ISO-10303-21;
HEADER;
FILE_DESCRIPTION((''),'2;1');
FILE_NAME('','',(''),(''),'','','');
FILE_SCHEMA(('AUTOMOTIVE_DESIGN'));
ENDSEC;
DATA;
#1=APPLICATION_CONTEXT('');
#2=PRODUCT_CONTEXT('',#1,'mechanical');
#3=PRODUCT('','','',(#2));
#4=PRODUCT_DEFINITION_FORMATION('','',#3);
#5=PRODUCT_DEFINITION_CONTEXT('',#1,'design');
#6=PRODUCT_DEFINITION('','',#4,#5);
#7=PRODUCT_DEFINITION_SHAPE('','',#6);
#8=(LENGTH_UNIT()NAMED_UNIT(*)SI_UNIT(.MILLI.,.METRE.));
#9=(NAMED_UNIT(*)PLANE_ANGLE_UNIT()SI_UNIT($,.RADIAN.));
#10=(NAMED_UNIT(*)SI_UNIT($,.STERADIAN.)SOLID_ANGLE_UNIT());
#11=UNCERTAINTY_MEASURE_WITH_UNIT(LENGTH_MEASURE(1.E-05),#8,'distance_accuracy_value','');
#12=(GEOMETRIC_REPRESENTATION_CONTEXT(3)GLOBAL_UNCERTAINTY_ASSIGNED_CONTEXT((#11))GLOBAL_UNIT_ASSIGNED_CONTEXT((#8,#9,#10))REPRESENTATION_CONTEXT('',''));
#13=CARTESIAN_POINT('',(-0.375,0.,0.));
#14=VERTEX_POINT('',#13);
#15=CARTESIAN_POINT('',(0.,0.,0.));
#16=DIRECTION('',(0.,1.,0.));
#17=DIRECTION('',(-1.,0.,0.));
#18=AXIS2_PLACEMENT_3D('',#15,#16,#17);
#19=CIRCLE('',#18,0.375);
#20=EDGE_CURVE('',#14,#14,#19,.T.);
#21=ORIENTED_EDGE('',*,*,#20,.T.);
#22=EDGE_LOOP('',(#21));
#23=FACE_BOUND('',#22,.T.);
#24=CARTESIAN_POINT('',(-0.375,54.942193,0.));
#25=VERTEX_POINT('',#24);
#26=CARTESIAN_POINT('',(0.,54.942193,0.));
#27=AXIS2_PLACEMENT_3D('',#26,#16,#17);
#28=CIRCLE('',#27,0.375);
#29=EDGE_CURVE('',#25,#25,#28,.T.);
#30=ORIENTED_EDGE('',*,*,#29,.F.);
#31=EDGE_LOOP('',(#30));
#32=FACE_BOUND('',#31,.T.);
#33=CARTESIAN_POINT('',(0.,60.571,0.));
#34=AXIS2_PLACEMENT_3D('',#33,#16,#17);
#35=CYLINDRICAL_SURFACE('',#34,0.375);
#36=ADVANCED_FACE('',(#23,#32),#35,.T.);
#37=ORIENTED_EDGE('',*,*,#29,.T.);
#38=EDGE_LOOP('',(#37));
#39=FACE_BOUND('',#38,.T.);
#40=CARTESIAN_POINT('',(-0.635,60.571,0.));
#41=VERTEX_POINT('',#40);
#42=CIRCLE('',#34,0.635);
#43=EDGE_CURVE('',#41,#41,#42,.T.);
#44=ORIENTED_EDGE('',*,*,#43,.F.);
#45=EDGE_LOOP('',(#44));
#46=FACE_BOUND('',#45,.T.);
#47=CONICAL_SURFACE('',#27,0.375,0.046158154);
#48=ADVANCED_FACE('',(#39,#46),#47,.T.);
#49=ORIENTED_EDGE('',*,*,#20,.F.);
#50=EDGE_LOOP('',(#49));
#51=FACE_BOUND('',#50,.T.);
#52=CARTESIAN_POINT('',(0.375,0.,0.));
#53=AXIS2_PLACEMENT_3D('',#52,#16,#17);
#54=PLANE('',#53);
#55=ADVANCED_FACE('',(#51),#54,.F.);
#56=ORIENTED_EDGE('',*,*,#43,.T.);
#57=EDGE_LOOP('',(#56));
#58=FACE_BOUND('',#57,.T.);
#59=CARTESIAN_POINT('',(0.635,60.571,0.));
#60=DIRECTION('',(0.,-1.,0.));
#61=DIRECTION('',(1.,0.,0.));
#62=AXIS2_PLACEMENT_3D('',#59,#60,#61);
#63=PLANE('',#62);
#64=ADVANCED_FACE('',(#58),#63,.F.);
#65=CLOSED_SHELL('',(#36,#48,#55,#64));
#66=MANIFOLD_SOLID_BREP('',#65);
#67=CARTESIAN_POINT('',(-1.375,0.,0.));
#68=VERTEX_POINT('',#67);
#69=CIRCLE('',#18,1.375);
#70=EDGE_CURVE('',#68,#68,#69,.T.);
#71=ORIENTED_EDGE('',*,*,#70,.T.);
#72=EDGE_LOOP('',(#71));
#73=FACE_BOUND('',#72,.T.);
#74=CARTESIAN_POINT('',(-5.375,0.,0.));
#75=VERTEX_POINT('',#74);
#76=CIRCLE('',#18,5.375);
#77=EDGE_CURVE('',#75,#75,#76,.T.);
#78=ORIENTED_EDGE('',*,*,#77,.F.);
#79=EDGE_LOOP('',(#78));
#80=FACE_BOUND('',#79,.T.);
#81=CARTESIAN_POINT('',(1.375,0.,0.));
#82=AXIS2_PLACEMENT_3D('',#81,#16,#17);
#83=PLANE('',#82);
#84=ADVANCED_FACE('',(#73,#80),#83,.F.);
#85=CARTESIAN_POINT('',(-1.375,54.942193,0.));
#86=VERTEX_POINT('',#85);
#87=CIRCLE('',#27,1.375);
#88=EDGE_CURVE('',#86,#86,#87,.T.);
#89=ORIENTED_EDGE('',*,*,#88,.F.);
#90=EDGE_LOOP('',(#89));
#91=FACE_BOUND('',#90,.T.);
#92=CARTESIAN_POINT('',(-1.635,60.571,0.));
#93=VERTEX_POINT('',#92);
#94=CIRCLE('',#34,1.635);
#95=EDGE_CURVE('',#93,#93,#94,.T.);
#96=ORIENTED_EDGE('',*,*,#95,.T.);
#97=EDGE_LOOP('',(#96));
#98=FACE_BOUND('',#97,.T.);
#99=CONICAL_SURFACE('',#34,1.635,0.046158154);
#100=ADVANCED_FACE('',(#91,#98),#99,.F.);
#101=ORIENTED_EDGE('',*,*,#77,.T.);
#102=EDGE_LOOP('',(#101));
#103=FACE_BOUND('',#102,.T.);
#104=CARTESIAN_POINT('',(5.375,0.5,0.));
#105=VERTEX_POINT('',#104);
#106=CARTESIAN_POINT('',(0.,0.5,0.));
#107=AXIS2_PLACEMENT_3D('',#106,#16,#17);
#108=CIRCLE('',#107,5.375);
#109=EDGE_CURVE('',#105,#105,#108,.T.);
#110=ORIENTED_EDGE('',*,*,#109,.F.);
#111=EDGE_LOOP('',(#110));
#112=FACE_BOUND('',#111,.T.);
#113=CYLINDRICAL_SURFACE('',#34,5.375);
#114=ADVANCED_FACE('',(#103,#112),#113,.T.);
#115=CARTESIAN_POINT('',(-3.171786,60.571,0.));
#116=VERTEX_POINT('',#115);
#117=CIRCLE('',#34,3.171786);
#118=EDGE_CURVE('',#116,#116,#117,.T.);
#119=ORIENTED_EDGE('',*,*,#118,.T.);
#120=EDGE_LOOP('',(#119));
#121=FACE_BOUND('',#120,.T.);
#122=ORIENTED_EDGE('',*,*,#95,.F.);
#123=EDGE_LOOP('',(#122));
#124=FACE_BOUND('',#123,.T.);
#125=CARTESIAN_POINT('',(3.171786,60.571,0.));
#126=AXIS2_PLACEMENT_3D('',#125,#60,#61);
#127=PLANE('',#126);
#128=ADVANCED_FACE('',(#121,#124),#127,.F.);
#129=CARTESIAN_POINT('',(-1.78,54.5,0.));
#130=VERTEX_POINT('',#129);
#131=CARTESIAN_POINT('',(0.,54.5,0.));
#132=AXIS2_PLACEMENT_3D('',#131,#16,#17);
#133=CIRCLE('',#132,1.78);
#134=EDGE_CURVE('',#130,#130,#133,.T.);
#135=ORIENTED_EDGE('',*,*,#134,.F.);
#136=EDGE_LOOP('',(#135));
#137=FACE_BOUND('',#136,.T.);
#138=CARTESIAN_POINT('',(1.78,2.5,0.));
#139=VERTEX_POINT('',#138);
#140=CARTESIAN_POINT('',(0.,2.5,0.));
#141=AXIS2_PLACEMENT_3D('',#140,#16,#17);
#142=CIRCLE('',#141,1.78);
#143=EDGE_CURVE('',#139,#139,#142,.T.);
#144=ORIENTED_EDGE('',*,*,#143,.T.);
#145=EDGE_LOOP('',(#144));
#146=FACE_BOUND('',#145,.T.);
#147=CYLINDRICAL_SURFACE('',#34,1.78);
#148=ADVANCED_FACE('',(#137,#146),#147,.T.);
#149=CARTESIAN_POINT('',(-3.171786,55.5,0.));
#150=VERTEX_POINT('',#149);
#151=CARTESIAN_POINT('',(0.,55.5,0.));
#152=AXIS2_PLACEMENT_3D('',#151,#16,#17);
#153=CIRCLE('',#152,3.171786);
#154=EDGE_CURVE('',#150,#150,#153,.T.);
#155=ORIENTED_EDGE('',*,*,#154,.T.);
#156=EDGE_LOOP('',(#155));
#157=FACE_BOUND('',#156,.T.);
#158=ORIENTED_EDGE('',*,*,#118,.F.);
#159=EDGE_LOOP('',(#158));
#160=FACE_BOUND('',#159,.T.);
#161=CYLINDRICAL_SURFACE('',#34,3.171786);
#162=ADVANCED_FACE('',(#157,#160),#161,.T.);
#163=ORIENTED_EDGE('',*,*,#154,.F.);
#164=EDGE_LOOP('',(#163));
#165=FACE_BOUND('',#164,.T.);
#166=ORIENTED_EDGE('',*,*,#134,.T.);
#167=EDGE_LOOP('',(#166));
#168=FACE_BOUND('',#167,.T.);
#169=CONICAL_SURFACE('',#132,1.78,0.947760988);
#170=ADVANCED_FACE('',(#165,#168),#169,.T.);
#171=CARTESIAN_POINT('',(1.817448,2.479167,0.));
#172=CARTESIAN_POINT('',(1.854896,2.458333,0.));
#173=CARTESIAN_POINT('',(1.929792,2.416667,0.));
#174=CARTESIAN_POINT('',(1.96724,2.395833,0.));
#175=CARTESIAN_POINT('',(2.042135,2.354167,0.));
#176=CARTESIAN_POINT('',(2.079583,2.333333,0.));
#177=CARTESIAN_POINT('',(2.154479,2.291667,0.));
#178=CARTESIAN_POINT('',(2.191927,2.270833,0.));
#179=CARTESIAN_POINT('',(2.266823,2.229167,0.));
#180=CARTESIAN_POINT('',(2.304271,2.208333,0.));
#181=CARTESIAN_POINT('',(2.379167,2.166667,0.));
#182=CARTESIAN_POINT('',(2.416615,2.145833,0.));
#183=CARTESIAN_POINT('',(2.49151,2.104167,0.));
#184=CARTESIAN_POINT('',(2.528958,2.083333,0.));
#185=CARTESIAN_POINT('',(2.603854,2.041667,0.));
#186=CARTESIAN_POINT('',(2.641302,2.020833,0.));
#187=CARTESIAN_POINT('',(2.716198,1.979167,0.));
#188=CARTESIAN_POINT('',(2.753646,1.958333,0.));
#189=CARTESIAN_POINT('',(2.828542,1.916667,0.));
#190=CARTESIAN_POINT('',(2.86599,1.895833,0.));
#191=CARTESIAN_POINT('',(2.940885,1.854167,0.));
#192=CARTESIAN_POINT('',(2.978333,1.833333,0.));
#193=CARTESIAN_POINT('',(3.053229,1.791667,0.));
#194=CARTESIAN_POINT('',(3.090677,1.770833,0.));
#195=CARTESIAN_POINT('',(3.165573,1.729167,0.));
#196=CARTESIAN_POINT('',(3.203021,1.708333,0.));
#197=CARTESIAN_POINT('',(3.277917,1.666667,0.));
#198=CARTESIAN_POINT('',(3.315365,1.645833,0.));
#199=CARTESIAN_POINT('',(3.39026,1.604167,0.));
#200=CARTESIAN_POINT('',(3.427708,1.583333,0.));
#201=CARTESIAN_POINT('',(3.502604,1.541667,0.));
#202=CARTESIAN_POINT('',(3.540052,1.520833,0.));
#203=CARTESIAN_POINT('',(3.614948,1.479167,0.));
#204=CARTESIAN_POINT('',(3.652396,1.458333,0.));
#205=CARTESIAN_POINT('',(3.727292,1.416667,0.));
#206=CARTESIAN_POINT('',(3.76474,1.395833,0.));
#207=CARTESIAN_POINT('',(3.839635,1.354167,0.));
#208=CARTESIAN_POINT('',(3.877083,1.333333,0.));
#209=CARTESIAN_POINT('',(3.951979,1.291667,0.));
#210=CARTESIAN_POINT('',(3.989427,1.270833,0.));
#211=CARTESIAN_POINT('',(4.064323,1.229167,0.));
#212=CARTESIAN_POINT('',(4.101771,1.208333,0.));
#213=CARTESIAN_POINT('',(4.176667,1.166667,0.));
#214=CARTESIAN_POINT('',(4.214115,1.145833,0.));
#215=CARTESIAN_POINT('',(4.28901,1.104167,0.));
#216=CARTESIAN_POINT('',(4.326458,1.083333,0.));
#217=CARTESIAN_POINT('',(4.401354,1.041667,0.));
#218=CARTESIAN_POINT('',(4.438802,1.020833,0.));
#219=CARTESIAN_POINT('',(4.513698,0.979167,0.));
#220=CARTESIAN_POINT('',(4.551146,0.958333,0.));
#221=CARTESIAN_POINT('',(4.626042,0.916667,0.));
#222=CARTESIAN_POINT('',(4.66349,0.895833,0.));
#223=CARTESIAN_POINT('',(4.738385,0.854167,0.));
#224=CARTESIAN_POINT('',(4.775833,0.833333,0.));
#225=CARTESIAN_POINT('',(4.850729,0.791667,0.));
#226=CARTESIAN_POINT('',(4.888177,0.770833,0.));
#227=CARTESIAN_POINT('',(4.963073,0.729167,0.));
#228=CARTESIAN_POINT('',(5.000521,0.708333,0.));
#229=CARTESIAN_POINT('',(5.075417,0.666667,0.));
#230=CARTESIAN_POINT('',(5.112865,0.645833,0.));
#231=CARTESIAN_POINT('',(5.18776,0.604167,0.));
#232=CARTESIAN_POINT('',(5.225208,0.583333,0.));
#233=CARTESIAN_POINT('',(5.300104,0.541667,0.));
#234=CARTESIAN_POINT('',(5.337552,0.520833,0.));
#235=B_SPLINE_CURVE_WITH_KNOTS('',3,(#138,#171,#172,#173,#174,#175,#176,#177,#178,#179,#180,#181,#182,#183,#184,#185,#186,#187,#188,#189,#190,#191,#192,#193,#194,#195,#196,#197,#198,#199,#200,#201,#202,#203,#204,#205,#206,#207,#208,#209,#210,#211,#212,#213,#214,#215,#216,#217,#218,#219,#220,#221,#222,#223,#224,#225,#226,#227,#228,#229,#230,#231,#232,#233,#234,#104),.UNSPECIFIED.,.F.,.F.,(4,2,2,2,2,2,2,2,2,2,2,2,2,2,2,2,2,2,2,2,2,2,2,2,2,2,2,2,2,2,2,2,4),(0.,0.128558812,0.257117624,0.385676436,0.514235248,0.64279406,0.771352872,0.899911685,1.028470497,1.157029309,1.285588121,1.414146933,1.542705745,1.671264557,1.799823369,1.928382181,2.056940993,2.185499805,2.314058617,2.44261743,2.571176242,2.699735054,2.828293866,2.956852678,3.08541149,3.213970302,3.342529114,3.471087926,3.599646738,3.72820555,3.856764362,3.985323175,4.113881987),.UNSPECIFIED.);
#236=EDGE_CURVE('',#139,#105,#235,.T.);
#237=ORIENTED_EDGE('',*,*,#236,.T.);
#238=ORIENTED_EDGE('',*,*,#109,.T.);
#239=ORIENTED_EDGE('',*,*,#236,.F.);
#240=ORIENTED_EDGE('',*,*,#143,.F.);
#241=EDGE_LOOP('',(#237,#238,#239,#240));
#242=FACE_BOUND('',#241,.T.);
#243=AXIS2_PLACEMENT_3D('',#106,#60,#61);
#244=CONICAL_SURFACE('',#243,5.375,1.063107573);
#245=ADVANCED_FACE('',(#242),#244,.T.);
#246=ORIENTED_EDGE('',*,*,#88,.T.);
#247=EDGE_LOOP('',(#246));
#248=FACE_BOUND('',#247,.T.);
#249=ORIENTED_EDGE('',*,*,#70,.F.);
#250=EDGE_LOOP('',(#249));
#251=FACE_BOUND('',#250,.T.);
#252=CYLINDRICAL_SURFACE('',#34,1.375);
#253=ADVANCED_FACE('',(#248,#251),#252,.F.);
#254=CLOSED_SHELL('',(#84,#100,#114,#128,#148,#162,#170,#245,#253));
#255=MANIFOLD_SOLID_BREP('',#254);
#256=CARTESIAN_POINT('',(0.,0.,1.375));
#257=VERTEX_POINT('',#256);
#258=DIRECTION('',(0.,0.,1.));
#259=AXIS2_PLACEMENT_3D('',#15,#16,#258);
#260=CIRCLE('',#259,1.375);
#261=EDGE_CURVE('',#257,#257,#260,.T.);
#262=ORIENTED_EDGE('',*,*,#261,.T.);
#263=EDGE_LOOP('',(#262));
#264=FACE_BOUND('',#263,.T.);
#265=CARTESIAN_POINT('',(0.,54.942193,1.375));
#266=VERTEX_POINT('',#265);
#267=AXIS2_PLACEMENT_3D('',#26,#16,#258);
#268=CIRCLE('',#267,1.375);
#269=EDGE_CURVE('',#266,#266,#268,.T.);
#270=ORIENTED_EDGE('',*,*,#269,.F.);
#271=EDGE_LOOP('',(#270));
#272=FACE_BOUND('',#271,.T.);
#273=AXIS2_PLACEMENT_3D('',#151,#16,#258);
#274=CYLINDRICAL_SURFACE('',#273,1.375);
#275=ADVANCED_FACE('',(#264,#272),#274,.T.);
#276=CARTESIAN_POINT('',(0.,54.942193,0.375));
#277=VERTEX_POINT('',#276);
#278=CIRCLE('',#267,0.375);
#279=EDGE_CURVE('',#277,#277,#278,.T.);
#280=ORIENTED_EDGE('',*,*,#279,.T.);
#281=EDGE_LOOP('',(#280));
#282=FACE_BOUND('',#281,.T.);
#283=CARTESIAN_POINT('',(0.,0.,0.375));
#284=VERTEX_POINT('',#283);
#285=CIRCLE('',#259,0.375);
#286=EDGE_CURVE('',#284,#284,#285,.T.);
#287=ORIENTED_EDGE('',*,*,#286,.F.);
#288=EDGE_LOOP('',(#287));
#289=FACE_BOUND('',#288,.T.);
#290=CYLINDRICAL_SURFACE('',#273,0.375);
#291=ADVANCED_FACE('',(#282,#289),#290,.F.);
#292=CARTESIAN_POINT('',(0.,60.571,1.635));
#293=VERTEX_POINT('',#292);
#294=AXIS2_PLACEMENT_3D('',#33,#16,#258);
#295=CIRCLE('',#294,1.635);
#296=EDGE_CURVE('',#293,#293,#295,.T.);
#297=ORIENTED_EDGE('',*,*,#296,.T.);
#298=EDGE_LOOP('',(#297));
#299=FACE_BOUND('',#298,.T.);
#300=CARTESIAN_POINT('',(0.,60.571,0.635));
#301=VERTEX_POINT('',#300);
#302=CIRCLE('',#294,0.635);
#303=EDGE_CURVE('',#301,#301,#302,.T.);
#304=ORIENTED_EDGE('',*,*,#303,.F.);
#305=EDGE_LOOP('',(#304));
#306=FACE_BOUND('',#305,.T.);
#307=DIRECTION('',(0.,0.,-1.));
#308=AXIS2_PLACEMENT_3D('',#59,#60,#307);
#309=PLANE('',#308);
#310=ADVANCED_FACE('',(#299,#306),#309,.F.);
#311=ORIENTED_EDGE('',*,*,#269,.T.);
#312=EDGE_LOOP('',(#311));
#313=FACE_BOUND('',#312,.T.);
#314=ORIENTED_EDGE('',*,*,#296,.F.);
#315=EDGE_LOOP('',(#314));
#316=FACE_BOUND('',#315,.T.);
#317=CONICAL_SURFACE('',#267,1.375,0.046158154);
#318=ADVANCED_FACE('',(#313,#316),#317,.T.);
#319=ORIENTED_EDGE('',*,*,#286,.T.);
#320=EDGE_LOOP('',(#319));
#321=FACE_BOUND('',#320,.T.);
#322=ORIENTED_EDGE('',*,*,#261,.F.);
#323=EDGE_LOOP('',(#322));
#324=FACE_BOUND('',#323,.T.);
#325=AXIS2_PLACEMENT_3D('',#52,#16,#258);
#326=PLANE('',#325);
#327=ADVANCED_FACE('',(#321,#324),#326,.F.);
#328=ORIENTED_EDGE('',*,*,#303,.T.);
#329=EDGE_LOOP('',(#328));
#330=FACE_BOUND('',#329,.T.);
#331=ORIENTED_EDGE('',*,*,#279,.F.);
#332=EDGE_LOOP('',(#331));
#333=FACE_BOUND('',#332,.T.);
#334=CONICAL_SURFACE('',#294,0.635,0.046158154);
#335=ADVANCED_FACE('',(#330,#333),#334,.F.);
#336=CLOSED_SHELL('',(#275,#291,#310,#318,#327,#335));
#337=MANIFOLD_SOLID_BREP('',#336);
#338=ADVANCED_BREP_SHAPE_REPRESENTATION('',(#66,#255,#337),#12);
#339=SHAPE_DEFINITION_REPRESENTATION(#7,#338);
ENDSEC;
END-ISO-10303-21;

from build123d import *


with BuildPart() as part:
    # Croquis1 → Revolución1 (revolve)
    with BuildSketch(Plane.XY, mode=Mode.PRIVATE) as revoluci_n1_sk:
        Polygon((5.375, 0), (5.375, 0.5), (1.78, 2.5), (1.78, 54.5), (3.171785891, 55.5), (3.171785891, 60.571), (1.635, 60.571), (1.375, 54.942193309), (1.375, 0), align=None)
        Polygon((0.375, 0), (0.375, 54.942193309), (0.635, 60.571), (0.442390715, 60.571), (0, 60.571), (0, 0), align=None)
    revolve(revoluci_n1_sk.sketch.rotate(Axis((0, 60.571, 0), (0, -1, 0)), 180), axis=Axis((0, 60.571, 0), (0, -1, 0)))


with BuildPart() as body_2:
    # Croquis3 → Revolución2 (revolve)
    with BuildSketch(Plane.XY, mode=Mode.PRIVATE) as revoluci_n2_sk:
        Polygon((0.375, 54.942193309), (0.635, 60.571), (1.635, 60.571), (1.375, 54.942193309), (1.375, 0), (0.375, 0), align=None)
    revolve(revoluci_n2_sk.sketch.rotate(Axis((0, 55.5, 0), (0, -1, 0)), 90), axis=Axis((0, 55.5, 0), (0, -1, 0)))


solid = Compound([part.part, body_2.part])
